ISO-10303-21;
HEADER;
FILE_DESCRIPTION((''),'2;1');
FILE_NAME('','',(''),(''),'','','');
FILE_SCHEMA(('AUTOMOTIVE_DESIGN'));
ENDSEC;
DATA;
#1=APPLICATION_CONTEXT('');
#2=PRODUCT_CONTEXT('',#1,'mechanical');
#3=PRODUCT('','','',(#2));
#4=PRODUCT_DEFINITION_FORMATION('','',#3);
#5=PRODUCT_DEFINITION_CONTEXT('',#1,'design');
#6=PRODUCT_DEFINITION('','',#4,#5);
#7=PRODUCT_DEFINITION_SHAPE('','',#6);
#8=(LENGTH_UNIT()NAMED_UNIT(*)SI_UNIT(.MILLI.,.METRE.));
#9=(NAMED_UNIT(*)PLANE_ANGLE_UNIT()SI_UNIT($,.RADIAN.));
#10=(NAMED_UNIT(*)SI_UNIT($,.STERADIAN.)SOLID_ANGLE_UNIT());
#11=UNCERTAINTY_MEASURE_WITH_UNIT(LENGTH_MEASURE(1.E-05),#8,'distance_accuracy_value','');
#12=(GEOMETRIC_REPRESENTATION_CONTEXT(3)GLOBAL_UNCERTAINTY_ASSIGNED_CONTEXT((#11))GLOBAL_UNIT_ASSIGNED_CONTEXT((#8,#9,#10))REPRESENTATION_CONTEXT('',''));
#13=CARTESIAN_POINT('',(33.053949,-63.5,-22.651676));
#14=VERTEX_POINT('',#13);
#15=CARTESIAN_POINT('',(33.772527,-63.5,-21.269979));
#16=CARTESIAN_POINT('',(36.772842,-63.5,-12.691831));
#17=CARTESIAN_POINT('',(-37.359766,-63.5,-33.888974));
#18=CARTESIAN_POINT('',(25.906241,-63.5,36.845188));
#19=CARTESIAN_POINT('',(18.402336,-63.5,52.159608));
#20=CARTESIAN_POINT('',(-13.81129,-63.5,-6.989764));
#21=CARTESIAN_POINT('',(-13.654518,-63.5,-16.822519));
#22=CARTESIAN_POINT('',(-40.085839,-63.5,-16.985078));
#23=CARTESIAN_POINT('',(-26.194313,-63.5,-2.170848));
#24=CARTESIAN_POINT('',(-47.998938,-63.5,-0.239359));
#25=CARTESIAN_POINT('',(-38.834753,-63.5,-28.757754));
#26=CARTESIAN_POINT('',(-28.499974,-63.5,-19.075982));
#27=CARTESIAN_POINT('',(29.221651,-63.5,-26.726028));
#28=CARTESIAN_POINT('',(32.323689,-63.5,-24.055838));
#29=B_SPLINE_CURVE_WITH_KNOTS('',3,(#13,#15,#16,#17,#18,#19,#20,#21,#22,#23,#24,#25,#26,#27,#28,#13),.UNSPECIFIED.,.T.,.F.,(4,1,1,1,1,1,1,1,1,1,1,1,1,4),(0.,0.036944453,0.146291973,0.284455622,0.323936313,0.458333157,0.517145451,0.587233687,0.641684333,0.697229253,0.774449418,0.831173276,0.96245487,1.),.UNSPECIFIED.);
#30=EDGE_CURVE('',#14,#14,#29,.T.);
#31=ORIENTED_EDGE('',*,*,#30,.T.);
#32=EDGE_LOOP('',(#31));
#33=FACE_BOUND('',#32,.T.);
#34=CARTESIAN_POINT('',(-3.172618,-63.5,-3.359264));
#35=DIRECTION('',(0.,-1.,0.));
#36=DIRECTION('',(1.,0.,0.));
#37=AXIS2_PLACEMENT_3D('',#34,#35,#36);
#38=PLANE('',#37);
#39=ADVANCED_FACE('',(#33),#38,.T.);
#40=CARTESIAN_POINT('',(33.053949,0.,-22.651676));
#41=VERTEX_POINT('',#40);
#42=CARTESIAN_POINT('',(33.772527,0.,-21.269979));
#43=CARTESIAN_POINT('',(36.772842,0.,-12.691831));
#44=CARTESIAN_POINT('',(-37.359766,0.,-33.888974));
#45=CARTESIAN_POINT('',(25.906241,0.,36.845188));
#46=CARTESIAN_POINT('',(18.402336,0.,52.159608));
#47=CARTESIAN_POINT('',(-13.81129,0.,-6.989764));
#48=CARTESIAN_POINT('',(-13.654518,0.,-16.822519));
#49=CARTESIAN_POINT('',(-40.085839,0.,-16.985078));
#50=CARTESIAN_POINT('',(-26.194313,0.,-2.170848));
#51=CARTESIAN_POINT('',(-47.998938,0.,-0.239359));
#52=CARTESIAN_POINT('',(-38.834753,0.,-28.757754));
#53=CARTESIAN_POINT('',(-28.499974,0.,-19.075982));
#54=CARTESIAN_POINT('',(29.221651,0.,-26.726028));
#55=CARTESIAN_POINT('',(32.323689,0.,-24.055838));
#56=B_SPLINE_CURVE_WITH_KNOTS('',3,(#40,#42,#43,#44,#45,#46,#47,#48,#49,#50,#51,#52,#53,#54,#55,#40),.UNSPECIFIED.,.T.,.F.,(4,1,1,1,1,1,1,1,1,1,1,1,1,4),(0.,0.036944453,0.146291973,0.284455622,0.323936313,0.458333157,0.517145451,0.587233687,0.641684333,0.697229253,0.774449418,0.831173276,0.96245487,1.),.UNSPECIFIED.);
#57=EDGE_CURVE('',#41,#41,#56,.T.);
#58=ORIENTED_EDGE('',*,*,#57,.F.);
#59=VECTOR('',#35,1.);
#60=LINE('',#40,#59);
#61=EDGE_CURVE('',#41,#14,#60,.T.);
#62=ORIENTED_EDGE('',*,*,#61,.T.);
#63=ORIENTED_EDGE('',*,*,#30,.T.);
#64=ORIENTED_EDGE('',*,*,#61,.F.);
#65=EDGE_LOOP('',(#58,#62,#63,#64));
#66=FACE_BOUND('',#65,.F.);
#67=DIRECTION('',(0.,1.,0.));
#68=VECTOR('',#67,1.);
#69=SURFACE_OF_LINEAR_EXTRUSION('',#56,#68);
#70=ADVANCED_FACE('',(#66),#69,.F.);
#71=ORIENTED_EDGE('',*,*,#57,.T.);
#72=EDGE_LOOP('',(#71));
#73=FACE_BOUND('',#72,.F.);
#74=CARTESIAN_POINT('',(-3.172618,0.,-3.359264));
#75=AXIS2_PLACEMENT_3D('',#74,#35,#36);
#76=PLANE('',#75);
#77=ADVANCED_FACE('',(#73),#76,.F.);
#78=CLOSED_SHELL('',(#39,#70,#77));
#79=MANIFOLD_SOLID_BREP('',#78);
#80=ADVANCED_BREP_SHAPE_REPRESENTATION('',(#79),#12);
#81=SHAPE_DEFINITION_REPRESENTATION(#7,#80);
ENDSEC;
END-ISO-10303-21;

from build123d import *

# Parameters (mm, degrees)
F1_DEPTH = 63.5


with BuildPart() as f1:
    # F0 (on Front) → F1 (new body)
    with BuildSketch(Plane.XZ):
        with BuildLine():
            add(Edge.make_bspline(
                [(33.0539494753, -22.6516760886), (33.7725265556, -21.2699787323), (36.7728422419, -12.6918305427), (-37.3597659129, -33.8889735417), (25.9062409112, 36.8451877957), (18.402336406, 52.1596080022), (-13.8112897503, -6.9897642064), (-13.6545178345, -16.8225190145), (-40.0858391154, -16.9850777953), (-26.1943128549, -2.1708476478), (-47.9989376954, -0.2393593575), (-38.8347528338, -28.7577541142), (-28.4999739626, -19.0759817597), (29.221650911, -26.7260280654), (32.3236891191, -24.0558383298), (33.0539494753, -22.6516760886)],
                knots=[0, 0, 0, 0, 0.0369444533, 0.146291973, 0.2844556218, 0.3239363134, 0.4583331573, 0.5171454512, 0.5872336867, 0.6416843329, 0.6972292528, 0.774449418, 0.8311732757, 0.9624548704, 1, 1, 1, 1], degree=3))
        make_face()
    extrude(amount=F1_DEPTH)


solid = f1.part
